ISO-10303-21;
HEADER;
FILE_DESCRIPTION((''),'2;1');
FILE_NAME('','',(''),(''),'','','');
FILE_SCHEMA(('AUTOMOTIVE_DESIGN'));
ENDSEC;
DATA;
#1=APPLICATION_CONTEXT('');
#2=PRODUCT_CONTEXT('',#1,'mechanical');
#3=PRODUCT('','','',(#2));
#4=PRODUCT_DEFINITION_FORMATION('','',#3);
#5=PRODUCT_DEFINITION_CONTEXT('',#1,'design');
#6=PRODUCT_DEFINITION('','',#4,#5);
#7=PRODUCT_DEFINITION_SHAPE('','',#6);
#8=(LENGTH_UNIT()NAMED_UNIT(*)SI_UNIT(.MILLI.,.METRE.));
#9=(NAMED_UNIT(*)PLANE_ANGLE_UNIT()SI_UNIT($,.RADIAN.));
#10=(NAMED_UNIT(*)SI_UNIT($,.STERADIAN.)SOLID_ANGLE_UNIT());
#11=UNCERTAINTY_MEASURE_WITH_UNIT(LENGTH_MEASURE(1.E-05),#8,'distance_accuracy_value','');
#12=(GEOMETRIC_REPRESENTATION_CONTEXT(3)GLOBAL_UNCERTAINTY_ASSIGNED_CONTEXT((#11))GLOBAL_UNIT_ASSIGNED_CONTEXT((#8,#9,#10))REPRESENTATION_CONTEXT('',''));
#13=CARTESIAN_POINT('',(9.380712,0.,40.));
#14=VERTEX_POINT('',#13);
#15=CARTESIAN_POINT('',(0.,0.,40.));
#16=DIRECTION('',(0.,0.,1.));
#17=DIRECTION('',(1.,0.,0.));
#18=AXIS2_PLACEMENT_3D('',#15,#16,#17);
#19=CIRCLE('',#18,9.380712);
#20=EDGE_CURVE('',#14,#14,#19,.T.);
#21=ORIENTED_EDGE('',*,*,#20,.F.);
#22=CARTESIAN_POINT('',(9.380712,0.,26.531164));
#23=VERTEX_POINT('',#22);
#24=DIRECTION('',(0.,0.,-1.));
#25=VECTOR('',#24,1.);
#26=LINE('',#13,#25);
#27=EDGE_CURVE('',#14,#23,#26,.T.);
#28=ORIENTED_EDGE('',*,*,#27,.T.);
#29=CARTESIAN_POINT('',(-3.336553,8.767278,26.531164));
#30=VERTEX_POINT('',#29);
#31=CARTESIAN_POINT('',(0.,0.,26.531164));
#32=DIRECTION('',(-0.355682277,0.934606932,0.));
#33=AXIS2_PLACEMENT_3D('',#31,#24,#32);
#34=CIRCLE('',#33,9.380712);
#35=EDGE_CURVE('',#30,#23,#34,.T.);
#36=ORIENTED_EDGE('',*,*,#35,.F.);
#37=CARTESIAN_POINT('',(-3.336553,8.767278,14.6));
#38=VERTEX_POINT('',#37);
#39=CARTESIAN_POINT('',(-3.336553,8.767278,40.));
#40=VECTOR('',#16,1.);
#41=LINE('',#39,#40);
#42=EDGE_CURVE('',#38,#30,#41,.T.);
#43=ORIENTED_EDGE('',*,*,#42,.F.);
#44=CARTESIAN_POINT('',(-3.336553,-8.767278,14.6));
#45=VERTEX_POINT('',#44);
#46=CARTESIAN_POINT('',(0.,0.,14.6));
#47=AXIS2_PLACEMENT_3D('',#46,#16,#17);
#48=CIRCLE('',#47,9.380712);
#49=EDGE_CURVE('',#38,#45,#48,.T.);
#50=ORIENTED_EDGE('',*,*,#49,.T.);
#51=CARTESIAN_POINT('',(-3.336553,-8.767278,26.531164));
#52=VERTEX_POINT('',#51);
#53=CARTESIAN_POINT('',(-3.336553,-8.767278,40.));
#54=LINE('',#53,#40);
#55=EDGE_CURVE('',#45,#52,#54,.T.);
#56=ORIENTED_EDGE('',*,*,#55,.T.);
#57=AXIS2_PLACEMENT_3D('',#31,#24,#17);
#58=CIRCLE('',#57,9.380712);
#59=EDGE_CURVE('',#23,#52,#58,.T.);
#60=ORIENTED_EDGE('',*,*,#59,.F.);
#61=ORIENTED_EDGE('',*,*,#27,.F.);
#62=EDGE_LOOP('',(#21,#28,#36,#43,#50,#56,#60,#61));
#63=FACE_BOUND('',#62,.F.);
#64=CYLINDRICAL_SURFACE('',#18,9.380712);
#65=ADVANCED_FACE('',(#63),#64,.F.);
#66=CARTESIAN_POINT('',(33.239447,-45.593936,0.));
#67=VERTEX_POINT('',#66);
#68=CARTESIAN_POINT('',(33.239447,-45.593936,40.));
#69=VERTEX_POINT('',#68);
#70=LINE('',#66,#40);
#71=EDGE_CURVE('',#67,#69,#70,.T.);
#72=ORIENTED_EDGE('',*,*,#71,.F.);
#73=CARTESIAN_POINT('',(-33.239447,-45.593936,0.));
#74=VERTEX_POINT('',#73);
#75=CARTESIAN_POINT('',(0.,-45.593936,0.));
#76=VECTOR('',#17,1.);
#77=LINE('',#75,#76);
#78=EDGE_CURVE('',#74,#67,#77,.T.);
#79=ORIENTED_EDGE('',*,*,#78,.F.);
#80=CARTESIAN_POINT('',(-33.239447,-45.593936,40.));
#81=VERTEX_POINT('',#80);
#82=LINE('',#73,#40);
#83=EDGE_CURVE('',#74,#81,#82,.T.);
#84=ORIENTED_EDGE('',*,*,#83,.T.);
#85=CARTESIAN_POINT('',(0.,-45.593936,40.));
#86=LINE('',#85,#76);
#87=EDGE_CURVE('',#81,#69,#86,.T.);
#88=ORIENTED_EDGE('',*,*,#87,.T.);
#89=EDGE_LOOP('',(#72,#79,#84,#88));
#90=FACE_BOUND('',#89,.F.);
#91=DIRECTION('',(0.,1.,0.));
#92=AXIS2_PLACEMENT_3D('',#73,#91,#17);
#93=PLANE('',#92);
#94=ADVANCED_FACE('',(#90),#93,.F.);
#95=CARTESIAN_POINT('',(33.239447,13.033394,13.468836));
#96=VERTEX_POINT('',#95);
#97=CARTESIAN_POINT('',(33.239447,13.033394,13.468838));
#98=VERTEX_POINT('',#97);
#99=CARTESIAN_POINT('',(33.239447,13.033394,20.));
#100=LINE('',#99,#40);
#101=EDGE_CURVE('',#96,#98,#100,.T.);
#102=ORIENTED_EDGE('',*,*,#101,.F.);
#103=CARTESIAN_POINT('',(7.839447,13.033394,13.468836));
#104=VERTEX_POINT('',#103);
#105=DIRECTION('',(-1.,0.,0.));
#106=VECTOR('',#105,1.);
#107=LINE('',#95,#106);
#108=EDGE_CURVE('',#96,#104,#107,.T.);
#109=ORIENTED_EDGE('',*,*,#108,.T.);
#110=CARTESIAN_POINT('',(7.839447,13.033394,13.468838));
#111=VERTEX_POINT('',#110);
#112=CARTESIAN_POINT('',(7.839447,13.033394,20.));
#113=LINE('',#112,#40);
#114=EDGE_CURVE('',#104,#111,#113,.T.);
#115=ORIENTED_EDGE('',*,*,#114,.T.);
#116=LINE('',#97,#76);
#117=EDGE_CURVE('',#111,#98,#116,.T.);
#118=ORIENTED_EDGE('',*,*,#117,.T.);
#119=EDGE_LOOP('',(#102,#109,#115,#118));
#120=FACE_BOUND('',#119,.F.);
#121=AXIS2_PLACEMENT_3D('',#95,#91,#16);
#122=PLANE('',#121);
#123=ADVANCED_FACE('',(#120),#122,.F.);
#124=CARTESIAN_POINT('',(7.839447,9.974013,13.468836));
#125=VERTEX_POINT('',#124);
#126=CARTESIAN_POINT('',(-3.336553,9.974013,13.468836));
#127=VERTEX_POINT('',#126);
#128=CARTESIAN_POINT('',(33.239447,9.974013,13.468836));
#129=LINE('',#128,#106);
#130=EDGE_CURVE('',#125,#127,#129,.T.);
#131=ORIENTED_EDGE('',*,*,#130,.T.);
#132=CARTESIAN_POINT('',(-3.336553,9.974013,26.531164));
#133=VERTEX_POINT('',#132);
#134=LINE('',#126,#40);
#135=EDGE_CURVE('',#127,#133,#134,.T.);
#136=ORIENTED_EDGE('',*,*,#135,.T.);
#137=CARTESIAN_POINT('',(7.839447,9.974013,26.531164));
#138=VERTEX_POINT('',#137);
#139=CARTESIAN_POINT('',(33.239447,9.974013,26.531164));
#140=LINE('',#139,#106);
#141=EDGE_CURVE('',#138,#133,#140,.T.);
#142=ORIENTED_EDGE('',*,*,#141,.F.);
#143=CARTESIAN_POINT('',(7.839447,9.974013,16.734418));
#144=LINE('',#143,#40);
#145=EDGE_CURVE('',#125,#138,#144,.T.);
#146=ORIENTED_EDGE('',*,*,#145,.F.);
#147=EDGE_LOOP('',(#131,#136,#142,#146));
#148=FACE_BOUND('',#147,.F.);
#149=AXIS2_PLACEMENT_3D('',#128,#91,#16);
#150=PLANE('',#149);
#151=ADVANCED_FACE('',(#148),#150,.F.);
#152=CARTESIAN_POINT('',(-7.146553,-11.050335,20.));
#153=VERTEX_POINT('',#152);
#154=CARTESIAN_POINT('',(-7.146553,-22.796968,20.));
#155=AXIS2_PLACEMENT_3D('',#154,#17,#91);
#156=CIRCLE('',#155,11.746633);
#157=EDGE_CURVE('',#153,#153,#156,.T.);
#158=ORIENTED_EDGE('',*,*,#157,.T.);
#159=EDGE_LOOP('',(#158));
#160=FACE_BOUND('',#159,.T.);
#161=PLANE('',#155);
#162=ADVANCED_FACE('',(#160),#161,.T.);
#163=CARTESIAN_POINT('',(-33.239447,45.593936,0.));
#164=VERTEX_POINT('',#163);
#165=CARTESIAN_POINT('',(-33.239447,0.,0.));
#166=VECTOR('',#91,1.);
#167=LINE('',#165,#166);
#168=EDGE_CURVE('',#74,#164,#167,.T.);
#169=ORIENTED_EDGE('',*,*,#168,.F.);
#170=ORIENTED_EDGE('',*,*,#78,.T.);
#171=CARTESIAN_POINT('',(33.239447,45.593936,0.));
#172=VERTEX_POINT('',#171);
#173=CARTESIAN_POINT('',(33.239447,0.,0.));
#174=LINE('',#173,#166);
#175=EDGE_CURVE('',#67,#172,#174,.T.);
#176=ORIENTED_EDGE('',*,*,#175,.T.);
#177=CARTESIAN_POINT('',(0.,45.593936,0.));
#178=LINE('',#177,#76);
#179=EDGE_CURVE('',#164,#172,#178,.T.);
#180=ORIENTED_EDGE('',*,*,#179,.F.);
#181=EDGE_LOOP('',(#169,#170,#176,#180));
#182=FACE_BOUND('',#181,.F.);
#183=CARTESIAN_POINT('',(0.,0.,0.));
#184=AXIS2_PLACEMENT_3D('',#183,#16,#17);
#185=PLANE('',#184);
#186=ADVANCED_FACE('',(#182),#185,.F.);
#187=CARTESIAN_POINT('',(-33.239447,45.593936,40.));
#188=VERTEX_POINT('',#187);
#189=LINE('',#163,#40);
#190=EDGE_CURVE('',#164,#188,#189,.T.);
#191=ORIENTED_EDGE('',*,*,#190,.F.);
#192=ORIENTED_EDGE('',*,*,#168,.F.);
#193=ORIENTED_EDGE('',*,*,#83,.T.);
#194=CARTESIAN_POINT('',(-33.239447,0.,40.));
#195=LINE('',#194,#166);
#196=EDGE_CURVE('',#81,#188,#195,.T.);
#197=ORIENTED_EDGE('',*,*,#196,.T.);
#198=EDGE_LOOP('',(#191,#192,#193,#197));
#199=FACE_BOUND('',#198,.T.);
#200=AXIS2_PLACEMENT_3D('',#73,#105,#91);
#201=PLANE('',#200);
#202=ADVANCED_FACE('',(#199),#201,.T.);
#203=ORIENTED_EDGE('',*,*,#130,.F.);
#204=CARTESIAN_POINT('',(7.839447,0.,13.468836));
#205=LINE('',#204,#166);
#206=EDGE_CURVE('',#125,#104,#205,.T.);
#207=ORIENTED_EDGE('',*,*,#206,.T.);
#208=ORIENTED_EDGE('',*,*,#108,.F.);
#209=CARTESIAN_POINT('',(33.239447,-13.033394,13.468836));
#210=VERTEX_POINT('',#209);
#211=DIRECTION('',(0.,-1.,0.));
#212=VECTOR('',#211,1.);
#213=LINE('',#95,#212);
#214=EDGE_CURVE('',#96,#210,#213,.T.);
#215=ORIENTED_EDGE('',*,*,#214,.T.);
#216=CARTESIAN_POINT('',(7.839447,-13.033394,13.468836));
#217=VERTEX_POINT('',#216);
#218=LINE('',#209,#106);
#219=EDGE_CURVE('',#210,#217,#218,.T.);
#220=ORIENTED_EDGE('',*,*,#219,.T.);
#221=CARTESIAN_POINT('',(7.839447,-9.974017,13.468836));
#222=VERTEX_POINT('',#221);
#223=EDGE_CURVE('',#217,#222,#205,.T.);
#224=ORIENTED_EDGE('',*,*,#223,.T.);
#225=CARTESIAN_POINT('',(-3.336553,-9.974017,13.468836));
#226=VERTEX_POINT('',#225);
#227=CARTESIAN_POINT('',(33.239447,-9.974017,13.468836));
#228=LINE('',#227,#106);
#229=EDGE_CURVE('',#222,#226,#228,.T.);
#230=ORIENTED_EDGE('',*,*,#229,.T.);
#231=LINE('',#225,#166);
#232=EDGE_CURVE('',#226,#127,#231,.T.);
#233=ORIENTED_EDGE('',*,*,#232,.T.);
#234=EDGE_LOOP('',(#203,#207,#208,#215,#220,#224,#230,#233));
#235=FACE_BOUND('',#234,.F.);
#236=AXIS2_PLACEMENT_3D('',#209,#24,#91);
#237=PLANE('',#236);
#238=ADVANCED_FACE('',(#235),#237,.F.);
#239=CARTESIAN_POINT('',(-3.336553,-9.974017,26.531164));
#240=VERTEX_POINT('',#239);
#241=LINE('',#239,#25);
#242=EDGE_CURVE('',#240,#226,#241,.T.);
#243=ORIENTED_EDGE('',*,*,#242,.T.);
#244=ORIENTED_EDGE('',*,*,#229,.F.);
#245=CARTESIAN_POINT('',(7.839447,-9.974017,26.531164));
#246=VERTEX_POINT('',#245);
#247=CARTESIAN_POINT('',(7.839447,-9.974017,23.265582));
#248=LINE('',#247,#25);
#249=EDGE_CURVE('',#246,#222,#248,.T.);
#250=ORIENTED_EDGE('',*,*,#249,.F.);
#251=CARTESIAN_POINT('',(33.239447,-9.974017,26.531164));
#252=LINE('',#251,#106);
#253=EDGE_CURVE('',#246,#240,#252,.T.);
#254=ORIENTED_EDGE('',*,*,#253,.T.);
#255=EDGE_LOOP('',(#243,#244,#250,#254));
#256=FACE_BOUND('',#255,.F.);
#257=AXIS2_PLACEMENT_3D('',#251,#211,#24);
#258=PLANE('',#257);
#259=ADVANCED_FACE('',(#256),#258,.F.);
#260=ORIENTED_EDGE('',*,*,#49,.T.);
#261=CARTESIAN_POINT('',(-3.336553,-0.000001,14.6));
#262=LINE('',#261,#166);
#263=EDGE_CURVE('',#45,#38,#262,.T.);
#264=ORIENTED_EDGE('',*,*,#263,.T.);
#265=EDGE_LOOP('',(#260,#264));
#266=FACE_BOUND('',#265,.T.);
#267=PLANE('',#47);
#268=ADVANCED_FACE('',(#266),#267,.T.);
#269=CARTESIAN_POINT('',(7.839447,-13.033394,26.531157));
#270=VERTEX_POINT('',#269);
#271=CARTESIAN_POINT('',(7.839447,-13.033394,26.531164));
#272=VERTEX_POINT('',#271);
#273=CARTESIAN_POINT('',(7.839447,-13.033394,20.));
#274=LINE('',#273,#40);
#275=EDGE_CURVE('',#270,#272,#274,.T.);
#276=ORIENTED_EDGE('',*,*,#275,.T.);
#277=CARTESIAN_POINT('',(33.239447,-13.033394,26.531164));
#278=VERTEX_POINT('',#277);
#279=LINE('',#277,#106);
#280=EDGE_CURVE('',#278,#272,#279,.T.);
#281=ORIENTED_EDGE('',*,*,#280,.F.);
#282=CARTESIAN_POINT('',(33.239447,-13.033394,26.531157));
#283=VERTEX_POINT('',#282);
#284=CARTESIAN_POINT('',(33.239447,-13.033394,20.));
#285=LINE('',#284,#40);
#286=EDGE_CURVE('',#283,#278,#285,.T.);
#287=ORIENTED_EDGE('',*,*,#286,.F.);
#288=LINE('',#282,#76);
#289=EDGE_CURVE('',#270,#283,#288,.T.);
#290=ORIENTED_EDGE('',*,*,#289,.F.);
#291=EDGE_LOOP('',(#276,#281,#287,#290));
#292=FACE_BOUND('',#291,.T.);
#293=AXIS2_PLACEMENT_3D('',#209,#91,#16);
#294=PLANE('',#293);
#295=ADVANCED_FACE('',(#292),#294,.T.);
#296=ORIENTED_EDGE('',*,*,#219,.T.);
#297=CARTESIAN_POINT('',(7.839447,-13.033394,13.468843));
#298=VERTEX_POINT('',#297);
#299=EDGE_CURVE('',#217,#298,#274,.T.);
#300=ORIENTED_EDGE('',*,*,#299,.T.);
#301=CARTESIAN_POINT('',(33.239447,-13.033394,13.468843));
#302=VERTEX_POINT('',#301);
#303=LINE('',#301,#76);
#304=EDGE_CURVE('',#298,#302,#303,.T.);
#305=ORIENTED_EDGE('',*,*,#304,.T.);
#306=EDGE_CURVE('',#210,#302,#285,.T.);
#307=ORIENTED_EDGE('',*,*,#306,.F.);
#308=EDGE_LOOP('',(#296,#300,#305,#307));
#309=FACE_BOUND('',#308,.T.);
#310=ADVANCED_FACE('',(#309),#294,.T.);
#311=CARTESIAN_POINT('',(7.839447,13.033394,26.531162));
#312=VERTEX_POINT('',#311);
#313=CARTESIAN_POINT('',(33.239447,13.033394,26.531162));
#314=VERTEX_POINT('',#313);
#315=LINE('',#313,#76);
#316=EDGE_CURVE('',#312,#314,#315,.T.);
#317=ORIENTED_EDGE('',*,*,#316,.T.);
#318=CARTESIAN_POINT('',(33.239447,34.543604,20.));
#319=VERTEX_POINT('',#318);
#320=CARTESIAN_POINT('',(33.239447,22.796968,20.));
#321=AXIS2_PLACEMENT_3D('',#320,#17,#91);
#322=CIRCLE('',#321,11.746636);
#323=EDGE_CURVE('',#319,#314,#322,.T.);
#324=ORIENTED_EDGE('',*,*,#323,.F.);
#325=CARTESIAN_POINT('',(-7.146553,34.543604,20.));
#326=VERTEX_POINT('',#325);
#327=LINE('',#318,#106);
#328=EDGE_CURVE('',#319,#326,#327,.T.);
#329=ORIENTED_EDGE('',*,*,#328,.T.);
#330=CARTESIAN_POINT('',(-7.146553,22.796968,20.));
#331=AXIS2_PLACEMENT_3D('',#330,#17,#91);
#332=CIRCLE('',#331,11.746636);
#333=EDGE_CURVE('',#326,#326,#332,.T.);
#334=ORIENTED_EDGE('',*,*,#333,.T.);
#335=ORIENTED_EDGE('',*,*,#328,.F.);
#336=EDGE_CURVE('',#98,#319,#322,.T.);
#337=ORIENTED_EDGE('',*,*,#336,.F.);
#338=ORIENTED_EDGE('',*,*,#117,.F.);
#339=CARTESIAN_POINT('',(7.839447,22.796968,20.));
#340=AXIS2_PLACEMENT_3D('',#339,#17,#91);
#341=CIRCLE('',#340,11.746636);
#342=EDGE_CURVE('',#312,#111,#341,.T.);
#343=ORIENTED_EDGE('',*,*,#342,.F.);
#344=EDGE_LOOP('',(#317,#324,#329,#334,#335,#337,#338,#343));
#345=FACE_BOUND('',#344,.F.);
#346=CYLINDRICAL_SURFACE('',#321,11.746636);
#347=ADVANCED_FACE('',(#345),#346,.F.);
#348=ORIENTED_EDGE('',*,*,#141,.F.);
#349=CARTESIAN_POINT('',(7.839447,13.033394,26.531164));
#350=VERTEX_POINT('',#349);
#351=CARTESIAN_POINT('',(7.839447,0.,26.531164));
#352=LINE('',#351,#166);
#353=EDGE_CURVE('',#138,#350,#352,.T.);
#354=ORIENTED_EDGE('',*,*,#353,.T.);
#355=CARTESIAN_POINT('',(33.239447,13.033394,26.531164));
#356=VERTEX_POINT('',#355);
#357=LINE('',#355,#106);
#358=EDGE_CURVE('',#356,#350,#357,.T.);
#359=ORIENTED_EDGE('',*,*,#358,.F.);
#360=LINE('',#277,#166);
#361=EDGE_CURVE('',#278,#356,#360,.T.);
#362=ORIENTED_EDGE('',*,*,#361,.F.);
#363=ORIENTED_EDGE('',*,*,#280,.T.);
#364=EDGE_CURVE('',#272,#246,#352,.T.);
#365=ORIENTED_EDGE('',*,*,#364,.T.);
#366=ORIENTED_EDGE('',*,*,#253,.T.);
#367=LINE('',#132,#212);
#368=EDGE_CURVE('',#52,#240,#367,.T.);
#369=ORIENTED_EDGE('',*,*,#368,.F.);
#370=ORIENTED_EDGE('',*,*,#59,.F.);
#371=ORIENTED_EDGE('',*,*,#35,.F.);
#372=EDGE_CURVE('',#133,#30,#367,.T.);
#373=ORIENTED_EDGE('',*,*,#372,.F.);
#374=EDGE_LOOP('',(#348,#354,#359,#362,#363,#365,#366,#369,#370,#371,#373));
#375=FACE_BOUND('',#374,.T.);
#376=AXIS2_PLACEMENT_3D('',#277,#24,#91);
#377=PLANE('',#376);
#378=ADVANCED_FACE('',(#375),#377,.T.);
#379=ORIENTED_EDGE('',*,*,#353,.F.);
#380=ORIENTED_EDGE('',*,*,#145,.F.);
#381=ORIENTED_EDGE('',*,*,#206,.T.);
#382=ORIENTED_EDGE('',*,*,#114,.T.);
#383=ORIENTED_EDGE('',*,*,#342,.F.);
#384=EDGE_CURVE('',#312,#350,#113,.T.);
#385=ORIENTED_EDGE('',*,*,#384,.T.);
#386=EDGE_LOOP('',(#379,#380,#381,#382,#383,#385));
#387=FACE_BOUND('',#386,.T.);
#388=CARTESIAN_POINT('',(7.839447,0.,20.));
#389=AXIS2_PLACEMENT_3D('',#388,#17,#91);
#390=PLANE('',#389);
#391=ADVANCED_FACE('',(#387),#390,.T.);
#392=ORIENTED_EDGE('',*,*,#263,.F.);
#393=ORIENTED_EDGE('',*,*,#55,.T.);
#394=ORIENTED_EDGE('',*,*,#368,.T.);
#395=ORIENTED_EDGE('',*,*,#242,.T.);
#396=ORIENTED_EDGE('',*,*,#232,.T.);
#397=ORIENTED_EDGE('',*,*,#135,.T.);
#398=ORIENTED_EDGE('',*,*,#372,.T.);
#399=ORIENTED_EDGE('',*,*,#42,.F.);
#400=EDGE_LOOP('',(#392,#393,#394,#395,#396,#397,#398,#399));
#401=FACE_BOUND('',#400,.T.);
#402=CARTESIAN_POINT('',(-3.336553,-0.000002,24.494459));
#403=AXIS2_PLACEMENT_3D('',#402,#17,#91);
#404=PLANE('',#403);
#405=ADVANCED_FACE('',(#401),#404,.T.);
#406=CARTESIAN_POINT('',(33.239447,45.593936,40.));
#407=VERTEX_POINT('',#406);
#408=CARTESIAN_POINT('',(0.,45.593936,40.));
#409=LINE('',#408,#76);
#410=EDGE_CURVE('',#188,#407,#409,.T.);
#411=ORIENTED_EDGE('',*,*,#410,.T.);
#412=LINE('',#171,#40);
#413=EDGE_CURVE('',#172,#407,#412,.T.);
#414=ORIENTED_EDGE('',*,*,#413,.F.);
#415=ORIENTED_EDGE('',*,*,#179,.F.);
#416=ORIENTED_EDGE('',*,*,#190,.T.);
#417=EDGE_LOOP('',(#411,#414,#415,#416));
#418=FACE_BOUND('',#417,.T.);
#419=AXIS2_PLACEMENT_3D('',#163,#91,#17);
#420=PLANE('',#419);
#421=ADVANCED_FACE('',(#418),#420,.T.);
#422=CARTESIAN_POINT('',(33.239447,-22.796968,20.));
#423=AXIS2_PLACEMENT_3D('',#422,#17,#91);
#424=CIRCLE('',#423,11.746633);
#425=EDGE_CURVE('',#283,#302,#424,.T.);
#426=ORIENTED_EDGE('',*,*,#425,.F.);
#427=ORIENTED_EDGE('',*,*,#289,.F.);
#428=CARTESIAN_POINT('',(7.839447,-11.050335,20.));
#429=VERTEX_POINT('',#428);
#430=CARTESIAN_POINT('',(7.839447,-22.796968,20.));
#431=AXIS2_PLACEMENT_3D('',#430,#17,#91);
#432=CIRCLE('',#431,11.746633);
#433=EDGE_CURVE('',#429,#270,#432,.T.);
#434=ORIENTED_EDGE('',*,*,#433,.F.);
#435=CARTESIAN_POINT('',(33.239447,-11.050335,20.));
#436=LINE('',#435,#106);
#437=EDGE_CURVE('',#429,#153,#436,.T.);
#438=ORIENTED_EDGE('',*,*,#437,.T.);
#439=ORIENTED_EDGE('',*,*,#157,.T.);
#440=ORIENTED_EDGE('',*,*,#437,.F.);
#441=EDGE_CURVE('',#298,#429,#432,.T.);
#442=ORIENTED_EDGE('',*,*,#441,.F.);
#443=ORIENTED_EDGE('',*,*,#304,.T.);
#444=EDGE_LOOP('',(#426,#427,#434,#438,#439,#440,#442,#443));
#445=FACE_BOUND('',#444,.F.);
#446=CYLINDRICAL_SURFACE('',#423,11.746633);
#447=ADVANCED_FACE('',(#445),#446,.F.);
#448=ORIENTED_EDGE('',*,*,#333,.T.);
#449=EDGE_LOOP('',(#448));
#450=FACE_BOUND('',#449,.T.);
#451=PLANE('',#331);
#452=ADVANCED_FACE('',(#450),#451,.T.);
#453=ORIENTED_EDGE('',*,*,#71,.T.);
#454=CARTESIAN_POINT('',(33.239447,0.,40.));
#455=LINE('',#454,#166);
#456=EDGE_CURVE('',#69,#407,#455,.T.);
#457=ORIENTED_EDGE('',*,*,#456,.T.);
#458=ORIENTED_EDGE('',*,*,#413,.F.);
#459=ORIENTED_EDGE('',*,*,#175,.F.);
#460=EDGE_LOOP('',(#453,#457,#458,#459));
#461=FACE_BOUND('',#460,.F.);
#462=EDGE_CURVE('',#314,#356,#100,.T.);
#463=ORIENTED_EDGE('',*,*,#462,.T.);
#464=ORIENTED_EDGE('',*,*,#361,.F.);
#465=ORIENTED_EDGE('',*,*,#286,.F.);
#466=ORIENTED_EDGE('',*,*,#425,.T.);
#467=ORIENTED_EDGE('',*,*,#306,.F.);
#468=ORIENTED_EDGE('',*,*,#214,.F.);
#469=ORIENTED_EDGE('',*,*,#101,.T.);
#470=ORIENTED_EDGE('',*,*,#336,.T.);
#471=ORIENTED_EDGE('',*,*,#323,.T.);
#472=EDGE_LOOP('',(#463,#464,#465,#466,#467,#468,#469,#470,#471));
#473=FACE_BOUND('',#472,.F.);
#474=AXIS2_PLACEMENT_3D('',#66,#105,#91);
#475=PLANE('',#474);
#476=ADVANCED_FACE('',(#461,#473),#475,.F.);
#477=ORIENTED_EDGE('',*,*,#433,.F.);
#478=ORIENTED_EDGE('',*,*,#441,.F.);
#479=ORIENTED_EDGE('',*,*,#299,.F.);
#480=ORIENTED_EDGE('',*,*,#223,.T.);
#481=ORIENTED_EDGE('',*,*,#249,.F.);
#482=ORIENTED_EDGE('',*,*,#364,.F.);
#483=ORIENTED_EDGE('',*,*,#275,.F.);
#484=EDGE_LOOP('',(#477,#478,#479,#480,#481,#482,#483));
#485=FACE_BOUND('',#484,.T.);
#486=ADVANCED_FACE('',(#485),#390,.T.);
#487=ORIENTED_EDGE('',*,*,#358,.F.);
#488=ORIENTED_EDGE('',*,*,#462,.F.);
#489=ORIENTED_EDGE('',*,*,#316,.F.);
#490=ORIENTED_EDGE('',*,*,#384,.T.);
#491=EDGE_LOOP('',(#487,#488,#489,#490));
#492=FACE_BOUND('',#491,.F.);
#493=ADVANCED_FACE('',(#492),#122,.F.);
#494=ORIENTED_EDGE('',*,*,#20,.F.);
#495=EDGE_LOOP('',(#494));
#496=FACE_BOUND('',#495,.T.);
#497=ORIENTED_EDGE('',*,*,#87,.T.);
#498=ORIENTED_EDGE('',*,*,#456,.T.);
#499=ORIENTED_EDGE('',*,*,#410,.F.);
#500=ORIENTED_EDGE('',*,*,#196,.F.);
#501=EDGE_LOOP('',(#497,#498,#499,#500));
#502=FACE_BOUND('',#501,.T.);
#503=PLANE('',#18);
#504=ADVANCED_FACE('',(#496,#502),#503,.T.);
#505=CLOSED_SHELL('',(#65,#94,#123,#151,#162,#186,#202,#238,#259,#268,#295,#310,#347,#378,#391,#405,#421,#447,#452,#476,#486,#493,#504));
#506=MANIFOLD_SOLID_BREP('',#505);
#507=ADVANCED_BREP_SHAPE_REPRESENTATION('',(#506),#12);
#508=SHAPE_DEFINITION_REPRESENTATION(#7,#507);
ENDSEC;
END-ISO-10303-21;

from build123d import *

# Parameters (mm, degrees)
F0_W     = 66.478894
F0_H     = 91.187872
F1_DEPTH = 40
F2_R     = 11.746633
F2_R_2   = 11.746636
F3_DEPTH = 40.386
F4_R     = 9.380712
F5_DEPTH = 25.4
F6_W     = 26.066788
F6_H     = 13.062328
F7_DEPTH = 25.4
F9_DEPTH = 36.576


with BuildPart() as f1:
    # F0 (on Top) → F1 (new body)
    with BuildSketch(Plane.XY):
        Rectangle(F0_W, F0_H)
    extrude(amount=F1_DEPTH)

    # F2 (on face) → F3 (cut)
    with BuildSketch(Plane.YZ.offset(33.239447)):
        with Locations((-22.796968, 20)):
            Circle(F2_R)
        with Locations((22.796968, 20)):
            Circle(F2_R_2)
    extrude(amount=-F3_DEPTH, mode=Mode.SUBTRACT)

    # F4 (on face) → F5 (cut)
    with BuildSketch(Plane.XY.offset(40)):
        Circle(F4_R)
    extrude(amount=-F5_DEPTH, mode=Mode.SUBTRACT)

    # F6 (on face) → F7 (cut)
    with BuildSketch(Plane.YZ.offset(33.239447)):
        with Locations((0, 20)):
            Rectangle(F6_W, F6_H)
    extrude(amount=-F7_DEPTH, mode=Mode.SUBTRACT)

    # F8 (on face) → F9 (cut)
    with BuildSketch(Plane.YZ.offset(33.239447)):
        Polygon((-9.974017, 26.531164), (-9.974017, 24.998077), (-2e-06, 20), (9.974013, 24.998077), (9.974013, 26.531164), align=None)
        Polygon((-2e-06, 20), (-9.974017, 24.998077), (-9.974017, 15.001923), align=None)
        Polygon((9.974013, 24.998077), (-2e-06, 20), (9.974013, 15.001923), align=None)
        Polygon((9.974013, 15.001923), (-2e-06, 20), (-9.974017, 15.001923), (-9.974017, 13.468836), (9.974013, 13.468836), align=None)
    extrude(amount=-F9_DEPTH, mode=Mode.SUBTRACT)


solid = f1.part
